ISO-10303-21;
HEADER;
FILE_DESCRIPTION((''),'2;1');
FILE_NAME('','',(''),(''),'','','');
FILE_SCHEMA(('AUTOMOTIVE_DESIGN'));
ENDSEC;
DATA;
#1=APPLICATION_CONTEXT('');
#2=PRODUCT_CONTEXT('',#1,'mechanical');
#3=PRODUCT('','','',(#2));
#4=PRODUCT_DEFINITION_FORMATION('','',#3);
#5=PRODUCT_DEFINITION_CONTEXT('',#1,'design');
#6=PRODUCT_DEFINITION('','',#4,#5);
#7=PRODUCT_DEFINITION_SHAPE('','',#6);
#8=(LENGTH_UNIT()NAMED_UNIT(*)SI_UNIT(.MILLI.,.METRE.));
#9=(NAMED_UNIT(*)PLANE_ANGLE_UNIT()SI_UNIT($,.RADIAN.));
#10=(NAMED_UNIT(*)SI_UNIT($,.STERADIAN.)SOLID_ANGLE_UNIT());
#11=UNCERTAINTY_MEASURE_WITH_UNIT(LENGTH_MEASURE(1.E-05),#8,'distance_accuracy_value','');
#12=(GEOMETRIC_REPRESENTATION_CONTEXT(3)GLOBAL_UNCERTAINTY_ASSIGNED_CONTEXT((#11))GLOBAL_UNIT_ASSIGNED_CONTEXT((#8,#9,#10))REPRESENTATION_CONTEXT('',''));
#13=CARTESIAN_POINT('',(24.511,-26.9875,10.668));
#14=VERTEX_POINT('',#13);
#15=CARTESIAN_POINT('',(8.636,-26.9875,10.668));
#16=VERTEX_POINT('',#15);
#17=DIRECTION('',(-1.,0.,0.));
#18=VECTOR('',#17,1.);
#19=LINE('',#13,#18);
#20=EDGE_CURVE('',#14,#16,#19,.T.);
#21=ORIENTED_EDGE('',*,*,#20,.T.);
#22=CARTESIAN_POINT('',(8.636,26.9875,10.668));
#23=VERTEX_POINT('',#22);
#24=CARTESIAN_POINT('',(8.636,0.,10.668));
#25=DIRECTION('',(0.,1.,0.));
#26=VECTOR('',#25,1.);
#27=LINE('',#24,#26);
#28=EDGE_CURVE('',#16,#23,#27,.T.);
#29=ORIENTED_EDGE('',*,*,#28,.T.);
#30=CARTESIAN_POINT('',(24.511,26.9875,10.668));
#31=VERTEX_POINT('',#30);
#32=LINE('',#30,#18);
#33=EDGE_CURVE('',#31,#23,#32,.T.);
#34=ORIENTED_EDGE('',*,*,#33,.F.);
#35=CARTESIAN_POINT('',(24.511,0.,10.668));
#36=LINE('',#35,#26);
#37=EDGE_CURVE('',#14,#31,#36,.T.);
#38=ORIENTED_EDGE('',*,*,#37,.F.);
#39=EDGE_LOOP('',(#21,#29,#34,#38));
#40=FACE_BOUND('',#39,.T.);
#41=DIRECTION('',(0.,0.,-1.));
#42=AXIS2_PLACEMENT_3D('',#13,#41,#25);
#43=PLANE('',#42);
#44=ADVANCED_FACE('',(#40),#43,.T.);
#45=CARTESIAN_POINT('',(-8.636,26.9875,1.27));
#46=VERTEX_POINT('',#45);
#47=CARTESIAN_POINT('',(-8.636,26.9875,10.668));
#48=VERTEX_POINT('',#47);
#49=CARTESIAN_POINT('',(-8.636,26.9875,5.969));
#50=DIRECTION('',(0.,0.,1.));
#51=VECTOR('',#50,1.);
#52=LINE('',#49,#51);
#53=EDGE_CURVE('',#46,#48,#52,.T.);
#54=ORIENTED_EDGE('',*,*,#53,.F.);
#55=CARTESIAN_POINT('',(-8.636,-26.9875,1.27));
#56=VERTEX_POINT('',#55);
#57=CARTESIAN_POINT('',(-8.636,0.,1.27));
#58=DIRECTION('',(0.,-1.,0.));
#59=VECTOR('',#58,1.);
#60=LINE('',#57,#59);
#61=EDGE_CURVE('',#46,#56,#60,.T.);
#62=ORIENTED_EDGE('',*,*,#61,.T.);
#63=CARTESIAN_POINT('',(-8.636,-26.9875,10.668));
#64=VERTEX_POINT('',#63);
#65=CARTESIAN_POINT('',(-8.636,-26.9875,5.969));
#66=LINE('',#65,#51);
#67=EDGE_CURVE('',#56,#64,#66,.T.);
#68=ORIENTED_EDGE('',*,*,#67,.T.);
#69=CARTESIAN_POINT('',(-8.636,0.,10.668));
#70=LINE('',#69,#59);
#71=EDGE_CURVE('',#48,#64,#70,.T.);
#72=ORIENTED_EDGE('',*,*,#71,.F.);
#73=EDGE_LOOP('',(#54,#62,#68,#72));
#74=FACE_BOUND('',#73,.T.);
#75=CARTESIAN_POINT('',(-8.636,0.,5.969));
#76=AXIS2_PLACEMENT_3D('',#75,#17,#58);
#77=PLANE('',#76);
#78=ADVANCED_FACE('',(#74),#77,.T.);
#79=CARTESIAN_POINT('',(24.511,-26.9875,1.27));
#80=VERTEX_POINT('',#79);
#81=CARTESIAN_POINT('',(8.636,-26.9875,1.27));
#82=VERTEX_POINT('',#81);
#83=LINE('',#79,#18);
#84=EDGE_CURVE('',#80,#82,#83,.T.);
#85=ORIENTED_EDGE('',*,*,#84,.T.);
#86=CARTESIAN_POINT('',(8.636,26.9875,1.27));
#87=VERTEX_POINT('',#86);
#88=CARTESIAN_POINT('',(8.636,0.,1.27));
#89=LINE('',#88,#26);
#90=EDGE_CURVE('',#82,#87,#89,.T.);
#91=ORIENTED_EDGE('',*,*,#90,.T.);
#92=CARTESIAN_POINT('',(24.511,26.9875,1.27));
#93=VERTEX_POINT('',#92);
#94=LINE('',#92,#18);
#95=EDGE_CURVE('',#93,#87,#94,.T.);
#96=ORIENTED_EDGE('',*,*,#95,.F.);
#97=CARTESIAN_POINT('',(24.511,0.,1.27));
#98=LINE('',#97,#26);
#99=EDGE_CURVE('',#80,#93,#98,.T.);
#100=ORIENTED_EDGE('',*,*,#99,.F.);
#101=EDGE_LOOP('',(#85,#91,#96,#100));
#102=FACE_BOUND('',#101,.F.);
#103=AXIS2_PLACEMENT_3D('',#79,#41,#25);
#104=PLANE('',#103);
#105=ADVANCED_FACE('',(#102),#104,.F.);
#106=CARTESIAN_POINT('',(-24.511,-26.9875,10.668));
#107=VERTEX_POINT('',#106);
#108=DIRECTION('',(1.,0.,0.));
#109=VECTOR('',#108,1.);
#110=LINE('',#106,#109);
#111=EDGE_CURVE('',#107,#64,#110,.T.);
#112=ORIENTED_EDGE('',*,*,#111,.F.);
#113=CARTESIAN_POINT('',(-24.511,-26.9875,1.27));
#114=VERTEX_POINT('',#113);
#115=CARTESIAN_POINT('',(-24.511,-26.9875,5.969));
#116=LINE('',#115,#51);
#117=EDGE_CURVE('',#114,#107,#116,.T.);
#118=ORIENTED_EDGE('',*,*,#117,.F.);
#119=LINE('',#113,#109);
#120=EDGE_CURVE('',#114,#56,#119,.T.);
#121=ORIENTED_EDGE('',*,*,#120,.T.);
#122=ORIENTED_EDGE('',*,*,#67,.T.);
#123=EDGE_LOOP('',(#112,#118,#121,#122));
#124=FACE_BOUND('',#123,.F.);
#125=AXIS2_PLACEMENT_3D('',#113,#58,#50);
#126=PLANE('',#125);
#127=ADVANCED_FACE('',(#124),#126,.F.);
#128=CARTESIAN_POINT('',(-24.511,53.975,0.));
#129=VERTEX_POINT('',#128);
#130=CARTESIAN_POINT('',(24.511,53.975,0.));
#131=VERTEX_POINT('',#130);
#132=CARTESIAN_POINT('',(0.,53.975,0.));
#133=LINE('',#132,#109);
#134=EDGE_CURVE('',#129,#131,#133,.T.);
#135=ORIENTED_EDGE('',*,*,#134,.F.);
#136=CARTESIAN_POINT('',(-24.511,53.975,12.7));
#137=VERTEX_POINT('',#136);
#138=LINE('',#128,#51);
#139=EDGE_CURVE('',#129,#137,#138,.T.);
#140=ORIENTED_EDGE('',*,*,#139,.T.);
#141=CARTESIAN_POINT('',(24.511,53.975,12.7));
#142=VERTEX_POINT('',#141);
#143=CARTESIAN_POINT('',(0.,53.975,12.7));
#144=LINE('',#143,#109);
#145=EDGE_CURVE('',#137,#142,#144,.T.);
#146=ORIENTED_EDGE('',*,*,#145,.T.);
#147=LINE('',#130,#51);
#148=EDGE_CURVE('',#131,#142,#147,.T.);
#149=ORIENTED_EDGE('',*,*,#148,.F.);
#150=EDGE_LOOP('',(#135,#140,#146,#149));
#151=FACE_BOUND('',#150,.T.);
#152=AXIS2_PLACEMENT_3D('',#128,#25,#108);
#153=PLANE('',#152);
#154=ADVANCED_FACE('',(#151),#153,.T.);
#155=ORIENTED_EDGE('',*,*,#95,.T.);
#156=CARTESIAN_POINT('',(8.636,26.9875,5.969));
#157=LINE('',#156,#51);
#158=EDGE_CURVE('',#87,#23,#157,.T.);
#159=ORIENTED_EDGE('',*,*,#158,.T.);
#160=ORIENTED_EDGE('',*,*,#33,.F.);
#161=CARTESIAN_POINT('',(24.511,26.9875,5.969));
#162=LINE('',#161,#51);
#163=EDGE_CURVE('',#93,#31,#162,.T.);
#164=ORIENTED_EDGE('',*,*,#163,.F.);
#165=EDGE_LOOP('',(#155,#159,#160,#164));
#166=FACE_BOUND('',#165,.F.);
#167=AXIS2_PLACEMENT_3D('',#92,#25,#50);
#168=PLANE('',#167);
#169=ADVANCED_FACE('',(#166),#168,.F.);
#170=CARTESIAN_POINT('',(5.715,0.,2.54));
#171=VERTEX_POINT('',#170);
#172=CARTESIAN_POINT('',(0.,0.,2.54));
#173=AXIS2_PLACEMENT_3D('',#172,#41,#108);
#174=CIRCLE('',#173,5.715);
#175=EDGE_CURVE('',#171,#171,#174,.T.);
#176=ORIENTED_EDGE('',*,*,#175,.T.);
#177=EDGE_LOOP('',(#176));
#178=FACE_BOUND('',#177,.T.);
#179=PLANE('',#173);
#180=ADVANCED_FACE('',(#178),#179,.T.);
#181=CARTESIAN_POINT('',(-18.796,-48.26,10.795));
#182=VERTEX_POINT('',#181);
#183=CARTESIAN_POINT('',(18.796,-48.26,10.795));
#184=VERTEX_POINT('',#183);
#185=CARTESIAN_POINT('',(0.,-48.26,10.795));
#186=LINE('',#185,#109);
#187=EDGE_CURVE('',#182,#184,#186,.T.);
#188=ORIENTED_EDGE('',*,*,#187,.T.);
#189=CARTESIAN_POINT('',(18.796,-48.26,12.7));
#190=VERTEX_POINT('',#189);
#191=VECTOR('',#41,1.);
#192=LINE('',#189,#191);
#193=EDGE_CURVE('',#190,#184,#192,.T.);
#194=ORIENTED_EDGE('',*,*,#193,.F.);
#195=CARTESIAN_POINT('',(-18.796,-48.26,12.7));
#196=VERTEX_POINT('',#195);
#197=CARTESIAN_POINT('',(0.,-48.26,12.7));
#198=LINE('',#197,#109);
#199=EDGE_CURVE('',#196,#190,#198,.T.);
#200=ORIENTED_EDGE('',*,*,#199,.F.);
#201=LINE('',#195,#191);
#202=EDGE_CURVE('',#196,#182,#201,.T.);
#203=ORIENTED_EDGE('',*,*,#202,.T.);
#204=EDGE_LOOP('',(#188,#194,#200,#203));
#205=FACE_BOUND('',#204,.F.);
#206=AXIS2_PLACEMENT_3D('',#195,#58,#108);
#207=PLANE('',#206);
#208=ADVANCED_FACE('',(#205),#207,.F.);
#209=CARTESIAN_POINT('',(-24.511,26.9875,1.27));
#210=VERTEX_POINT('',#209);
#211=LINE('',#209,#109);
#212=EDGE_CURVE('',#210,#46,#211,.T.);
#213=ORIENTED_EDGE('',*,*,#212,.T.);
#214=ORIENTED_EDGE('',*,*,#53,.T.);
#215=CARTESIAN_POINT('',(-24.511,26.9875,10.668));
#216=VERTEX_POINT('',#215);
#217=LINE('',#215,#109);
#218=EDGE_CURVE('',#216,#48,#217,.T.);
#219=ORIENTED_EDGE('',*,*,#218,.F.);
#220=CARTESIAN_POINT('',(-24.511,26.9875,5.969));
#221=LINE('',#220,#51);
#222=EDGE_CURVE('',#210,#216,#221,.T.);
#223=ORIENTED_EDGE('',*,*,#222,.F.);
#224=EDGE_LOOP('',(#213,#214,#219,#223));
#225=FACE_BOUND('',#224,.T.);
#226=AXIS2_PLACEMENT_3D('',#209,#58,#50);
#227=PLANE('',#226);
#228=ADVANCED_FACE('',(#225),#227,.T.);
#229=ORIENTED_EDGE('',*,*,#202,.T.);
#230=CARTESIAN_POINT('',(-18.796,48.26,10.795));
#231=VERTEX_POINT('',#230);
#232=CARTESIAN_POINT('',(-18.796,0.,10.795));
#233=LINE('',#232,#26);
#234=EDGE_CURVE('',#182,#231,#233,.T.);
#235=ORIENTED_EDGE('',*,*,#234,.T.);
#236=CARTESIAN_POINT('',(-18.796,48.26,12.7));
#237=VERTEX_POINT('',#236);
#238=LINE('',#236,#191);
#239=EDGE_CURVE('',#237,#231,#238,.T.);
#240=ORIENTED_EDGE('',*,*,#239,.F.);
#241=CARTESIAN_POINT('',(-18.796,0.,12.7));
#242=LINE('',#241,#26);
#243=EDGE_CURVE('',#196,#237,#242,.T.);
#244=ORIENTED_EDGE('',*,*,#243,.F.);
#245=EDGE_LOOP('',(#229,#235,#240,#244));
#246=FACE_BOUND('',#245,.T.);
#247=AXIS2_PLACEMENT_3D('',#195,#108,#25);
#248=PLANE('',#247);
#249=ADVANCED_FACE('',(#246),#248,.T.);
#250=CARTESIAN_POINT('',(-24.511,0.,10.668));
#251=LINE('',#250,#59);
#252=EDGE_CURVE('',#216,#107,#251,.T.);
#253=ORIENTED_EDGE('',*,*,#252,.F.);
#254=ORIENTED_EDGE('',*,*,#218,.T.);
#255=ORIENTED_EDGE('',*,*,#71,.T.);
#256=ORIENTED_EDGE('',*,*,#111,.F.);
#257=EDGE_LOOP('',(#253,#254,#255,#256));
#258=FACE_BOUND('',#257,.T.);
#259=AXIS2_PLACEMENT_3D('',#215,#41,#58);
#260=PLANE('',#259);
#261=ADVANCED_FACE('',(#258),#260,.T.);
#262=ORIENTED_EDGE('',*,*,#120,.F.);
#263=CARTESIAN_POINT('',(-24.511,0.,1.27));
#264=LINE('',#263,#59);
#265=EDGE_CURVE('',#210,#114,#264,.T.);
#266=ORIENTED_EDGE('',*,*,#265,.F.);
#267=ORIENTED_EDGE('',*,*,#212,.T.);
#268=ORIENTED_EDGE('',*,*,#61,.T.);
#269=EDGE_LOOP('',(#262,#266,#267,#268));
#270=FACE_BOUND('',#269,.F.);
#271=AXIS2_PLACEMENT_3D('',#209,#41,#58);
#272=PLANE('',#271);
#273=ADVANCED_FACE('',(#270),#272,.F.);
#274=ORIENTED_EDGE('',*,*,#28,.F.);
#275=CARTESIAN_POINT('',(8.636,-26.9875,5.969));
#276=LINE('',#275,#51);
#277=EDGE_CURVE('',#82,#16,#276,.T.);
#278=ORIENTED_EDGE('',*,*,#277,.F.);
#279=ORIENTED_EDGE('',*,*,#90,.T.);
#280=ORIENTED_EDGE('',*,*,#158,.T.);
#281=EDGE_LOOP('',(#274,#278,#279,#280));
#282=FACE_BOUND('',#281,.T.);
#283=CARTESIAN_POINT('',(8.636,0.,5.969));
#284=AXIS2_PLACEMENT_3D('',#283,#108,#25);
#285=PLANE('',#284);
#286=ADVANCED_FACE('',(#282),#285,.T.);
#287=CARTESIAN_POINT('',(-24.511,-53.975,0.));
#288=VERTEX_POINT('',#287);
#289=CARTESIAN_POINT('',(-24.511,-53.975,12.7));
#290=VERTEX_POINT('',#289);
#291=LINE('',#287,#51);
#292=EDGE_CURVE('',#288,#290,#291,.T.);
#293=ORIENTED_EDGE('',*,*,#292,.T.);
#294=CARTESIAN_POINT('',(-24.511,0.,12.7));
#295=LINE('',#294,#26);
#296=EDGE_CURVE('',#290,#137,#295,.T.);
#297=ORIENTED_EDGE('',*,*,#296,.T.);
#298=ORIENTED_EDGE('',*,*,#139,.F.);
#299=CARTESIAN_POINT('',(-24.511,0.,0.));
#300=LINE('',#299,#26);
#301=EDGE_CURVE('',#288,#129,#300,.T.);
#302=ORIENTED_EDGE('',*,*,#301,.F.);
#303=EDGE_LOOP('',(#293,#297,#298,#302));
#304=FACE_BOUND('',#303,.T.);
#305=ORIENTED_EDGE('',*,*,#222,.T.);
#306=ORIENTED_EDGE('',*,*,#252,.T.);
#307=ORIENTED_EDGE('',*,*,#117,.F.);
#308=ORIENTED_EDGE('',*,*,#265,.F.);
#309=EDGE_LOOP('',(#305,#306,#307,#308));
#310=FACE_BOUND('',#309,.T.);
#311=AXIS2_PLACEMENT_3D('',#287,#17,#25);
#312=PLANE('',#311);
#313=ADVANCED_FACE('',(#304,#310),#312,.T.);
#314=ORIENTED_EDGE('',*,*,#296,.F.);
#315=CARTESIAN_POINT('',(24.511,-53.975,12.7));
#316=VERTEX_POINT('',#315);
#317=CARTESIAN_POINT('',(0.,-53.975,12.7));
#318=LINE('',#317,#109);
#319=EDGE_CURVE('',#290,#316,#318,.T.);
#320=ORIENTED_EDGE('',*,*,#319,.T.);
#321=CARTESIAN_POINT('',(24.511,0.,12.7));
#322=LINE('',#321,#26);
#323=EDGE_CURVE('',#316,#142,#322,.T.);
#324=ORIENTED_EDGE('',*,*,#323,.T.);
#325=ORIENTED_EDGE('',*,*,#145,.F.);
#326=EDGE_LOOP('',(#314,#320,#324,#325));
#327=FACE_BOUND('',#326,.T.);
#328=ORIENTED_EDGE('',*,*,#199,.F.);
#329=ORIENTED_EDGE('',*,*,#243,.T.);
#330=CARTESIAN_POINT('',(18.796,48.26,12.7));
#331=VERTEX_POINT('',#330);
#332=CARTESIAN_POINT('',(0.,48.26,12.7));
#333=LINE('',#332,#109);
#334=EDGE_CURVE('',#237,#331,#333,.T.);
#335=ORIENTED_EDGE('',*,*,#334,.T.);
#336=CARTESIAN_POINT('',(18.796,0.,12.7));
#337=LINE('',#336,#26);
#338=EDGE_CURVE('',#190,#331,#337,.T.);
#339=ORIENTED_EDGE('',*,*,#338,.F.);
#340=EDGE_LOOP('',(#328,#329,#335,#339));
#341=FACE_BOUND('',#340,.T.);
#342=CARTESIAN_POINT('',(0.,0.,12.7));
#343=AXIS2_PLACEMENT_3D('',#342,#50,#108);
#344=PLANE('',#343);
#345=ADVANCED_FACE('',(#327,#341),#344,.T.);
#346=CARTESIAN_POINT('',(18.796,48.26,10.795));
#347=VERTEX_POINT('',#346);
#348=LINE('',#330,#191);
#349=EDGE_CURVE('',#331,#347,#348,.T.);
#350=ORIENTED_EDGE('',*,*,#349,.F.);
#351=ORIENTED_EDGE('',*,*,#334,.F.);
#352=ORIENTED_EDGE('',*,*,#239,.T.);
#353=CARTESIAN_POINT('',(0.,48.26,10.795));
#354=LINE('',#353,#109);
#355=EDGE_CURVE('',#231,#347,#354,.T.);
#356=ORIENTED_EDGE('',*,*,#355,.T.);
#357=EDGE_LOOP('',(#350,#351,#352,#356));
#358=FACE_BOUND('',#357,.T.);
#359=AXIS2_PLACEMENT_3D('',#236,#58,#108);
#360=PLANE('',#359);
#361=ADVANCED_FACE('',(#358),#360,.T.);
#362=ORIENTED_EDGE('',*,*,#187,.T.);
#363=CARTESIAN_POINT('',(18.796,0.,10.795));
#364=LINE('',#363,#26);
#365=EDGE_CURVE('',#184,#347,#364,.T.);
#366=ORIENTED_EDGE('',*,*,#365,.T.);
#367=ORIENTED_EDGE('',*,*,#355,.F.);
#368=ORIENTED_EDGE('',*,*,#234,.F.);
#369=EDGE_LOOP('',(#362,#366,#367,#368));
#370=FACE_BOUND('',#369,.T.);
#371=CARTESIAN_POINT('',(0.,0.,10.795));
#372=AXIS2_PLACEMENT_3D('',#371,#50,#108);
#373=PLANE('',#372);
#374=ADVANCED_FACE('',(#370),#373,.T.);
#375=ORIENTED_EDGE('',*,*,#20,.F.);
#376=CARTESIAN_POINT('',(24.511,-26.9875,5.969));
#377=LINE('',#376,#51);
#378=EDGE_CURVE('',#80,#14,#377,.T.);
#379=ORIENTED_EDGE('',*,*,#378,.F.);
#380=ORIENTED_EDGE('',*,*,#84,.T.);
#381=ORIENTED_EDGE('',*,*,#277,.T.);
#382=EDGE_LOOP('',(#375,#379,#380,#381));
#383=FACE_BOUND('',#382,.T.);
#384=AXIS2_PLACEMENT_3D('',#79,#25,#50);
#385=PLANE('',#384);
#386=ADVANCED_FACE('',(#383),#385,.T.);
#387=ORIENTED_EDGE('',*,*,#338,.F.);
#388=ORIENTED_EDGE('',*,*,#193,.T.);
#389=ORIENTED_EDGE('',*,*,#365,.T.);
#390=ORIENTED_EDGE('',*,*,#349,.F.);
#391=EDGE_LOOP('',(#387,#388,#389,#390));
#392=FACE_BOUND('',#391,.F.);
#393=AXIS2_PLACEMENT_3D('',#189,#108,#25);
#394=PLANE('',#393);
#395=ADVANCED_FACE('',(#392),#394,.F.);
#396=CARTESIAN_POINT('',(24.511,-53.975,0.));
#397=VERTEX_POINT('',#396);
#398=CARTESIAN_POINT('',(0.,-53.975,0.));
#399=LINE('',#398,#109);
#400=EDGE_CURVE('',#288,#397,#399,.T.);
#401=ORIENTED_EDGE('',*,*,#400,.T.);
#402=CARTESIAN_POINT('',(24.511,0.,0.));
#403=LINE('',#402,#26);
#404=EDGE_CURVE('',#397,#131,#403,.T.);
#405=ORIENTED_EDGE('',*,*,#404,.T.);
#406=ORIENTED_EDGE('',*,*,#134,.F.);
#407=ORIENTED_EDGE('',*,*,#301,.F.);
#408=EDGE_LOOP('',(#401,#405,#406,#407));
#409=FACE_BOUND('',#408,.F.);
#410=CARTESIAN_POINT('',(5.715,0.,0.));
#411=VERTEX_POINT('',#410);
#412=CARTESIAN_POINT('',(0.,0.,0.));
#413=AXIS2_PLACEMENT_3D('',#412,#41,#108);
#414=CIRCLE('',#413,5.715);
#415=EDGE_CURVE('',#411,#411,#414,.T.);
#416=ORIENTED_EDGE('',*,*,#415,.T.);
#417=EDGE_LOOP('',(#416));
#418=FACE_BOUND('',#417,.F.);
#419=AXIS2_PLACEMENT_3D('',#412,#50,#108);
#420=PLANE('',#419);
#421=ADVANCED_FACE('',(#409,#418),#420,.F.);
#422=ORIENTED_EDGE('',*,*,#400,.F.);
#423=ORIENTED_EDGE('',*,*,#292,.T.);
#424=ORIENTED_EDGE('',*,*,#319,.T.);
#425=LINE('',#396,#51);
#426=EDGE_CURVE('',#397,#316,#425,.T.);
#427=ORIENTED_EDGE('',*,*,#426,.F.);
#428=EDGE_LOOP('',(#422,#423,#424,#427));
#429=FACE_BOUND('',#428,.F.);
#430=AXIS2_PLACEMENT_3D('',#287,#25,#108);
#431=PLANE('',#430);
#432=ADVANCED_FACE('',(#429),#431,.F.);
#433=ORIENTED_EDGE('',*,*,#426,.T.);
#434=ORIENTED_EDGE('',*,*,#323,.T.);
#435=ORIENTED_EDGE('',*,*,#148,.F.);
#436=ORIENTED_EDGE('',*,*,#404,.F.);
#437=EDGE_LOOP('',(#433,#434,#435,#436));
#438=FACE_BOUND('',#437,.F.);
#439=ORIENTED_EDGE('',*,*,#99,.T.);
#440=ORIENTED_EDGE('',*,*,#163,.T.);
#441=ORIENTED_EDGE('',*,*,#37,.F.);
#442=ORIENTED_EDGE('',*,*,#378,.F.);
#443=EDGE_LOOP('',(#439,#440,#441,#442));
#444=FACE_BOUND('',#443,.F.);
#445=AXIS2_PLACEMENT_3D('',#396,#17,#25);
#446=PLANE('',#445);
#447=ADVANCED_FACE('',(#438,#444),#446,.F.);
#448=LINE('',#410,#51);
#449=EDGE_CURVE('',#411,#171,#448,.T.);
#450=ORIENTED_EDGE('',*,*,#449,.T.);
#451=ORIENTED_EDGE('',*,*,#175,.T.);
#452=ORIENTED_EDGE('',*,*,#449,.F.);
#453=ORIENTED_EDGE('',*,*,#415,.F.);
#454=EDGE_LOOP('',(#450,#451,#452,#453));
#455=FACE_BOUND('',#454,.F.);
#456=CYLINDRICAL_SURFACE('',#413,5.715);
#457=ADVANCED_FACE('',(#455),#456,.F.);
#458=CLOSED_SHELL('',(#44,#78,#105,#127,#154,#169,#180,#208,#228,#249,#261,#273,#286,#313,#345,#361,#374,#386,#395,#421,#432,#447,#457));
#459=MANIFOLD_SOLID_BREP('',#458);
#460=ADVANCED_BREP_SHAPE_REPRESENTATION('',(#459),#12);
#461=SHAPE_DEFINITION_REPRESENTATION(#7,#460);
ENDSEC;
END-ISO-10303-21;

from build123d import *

# Parameters (mm, degrees)
F0_W     = 49.022
F0_H     = 107.95
F1_DEPTH = 12.7
F2_R     = 5.715
F3_DEPTH = 2.54
F4_W     = 37.592
F4_H     = 96.52
F5_DEPTH = 1.905
F6_W     = 53.975
F6_H     = 9.398
F7_DEPTH = 15.875
F8_W     = 53.975
F8_H     = 9.398
F9_DEPTH = 15.875


with BuildPart() as f1:
    # F0 (on Top) → F1 (new body)
    with BuildSketch(Plane.XY):
        Rectangle(F0_W, F0_H)
    extrude(amount=F1_DEPTH)

    # F2 (on face) → F3 (cut)
    with BuildSketch(Plane(origin=(0, 0, 0), x_dir=(1, 0, 0), z_dir=(0, 0, -1))):
        Circle(F2_R)
    extrude(amount=-F3_DEPTH, mode=Mode.SUBTRACT)

    # F4 (on face) → F5 (cut)
    with BuildSketch(Plane.XY.offset(12.7)):
        Rectangle(F4_W, F4_H)
    extrude(amount=-F5_DEPTH, mode=Mode.SUBTRACT)

    # F6 (on face) → F7 (cut)
    with BuildSketch(Plane(origin=(-24.511, 0, 0), x_dir=(0, -1, 0), z_dir=(-1, 0, 0))):
        with Locations((0, 5.969)):
            Rectangle(F6_W, F6_H)
    extrude(amount=-F7_DEPTH, mode=Mode.SUBTRACT)

    # F8 (on face) → F9 (cut)
    with BuildSketch(Plane.YZ.offset(24.511)):
        with Locations((0, 5.969)):
            Rectangle(F8_W, F8_H)
    extrude(amount=-F9_DEPTH, mode=Mode.SUBTRACT)


solid = f1.part
